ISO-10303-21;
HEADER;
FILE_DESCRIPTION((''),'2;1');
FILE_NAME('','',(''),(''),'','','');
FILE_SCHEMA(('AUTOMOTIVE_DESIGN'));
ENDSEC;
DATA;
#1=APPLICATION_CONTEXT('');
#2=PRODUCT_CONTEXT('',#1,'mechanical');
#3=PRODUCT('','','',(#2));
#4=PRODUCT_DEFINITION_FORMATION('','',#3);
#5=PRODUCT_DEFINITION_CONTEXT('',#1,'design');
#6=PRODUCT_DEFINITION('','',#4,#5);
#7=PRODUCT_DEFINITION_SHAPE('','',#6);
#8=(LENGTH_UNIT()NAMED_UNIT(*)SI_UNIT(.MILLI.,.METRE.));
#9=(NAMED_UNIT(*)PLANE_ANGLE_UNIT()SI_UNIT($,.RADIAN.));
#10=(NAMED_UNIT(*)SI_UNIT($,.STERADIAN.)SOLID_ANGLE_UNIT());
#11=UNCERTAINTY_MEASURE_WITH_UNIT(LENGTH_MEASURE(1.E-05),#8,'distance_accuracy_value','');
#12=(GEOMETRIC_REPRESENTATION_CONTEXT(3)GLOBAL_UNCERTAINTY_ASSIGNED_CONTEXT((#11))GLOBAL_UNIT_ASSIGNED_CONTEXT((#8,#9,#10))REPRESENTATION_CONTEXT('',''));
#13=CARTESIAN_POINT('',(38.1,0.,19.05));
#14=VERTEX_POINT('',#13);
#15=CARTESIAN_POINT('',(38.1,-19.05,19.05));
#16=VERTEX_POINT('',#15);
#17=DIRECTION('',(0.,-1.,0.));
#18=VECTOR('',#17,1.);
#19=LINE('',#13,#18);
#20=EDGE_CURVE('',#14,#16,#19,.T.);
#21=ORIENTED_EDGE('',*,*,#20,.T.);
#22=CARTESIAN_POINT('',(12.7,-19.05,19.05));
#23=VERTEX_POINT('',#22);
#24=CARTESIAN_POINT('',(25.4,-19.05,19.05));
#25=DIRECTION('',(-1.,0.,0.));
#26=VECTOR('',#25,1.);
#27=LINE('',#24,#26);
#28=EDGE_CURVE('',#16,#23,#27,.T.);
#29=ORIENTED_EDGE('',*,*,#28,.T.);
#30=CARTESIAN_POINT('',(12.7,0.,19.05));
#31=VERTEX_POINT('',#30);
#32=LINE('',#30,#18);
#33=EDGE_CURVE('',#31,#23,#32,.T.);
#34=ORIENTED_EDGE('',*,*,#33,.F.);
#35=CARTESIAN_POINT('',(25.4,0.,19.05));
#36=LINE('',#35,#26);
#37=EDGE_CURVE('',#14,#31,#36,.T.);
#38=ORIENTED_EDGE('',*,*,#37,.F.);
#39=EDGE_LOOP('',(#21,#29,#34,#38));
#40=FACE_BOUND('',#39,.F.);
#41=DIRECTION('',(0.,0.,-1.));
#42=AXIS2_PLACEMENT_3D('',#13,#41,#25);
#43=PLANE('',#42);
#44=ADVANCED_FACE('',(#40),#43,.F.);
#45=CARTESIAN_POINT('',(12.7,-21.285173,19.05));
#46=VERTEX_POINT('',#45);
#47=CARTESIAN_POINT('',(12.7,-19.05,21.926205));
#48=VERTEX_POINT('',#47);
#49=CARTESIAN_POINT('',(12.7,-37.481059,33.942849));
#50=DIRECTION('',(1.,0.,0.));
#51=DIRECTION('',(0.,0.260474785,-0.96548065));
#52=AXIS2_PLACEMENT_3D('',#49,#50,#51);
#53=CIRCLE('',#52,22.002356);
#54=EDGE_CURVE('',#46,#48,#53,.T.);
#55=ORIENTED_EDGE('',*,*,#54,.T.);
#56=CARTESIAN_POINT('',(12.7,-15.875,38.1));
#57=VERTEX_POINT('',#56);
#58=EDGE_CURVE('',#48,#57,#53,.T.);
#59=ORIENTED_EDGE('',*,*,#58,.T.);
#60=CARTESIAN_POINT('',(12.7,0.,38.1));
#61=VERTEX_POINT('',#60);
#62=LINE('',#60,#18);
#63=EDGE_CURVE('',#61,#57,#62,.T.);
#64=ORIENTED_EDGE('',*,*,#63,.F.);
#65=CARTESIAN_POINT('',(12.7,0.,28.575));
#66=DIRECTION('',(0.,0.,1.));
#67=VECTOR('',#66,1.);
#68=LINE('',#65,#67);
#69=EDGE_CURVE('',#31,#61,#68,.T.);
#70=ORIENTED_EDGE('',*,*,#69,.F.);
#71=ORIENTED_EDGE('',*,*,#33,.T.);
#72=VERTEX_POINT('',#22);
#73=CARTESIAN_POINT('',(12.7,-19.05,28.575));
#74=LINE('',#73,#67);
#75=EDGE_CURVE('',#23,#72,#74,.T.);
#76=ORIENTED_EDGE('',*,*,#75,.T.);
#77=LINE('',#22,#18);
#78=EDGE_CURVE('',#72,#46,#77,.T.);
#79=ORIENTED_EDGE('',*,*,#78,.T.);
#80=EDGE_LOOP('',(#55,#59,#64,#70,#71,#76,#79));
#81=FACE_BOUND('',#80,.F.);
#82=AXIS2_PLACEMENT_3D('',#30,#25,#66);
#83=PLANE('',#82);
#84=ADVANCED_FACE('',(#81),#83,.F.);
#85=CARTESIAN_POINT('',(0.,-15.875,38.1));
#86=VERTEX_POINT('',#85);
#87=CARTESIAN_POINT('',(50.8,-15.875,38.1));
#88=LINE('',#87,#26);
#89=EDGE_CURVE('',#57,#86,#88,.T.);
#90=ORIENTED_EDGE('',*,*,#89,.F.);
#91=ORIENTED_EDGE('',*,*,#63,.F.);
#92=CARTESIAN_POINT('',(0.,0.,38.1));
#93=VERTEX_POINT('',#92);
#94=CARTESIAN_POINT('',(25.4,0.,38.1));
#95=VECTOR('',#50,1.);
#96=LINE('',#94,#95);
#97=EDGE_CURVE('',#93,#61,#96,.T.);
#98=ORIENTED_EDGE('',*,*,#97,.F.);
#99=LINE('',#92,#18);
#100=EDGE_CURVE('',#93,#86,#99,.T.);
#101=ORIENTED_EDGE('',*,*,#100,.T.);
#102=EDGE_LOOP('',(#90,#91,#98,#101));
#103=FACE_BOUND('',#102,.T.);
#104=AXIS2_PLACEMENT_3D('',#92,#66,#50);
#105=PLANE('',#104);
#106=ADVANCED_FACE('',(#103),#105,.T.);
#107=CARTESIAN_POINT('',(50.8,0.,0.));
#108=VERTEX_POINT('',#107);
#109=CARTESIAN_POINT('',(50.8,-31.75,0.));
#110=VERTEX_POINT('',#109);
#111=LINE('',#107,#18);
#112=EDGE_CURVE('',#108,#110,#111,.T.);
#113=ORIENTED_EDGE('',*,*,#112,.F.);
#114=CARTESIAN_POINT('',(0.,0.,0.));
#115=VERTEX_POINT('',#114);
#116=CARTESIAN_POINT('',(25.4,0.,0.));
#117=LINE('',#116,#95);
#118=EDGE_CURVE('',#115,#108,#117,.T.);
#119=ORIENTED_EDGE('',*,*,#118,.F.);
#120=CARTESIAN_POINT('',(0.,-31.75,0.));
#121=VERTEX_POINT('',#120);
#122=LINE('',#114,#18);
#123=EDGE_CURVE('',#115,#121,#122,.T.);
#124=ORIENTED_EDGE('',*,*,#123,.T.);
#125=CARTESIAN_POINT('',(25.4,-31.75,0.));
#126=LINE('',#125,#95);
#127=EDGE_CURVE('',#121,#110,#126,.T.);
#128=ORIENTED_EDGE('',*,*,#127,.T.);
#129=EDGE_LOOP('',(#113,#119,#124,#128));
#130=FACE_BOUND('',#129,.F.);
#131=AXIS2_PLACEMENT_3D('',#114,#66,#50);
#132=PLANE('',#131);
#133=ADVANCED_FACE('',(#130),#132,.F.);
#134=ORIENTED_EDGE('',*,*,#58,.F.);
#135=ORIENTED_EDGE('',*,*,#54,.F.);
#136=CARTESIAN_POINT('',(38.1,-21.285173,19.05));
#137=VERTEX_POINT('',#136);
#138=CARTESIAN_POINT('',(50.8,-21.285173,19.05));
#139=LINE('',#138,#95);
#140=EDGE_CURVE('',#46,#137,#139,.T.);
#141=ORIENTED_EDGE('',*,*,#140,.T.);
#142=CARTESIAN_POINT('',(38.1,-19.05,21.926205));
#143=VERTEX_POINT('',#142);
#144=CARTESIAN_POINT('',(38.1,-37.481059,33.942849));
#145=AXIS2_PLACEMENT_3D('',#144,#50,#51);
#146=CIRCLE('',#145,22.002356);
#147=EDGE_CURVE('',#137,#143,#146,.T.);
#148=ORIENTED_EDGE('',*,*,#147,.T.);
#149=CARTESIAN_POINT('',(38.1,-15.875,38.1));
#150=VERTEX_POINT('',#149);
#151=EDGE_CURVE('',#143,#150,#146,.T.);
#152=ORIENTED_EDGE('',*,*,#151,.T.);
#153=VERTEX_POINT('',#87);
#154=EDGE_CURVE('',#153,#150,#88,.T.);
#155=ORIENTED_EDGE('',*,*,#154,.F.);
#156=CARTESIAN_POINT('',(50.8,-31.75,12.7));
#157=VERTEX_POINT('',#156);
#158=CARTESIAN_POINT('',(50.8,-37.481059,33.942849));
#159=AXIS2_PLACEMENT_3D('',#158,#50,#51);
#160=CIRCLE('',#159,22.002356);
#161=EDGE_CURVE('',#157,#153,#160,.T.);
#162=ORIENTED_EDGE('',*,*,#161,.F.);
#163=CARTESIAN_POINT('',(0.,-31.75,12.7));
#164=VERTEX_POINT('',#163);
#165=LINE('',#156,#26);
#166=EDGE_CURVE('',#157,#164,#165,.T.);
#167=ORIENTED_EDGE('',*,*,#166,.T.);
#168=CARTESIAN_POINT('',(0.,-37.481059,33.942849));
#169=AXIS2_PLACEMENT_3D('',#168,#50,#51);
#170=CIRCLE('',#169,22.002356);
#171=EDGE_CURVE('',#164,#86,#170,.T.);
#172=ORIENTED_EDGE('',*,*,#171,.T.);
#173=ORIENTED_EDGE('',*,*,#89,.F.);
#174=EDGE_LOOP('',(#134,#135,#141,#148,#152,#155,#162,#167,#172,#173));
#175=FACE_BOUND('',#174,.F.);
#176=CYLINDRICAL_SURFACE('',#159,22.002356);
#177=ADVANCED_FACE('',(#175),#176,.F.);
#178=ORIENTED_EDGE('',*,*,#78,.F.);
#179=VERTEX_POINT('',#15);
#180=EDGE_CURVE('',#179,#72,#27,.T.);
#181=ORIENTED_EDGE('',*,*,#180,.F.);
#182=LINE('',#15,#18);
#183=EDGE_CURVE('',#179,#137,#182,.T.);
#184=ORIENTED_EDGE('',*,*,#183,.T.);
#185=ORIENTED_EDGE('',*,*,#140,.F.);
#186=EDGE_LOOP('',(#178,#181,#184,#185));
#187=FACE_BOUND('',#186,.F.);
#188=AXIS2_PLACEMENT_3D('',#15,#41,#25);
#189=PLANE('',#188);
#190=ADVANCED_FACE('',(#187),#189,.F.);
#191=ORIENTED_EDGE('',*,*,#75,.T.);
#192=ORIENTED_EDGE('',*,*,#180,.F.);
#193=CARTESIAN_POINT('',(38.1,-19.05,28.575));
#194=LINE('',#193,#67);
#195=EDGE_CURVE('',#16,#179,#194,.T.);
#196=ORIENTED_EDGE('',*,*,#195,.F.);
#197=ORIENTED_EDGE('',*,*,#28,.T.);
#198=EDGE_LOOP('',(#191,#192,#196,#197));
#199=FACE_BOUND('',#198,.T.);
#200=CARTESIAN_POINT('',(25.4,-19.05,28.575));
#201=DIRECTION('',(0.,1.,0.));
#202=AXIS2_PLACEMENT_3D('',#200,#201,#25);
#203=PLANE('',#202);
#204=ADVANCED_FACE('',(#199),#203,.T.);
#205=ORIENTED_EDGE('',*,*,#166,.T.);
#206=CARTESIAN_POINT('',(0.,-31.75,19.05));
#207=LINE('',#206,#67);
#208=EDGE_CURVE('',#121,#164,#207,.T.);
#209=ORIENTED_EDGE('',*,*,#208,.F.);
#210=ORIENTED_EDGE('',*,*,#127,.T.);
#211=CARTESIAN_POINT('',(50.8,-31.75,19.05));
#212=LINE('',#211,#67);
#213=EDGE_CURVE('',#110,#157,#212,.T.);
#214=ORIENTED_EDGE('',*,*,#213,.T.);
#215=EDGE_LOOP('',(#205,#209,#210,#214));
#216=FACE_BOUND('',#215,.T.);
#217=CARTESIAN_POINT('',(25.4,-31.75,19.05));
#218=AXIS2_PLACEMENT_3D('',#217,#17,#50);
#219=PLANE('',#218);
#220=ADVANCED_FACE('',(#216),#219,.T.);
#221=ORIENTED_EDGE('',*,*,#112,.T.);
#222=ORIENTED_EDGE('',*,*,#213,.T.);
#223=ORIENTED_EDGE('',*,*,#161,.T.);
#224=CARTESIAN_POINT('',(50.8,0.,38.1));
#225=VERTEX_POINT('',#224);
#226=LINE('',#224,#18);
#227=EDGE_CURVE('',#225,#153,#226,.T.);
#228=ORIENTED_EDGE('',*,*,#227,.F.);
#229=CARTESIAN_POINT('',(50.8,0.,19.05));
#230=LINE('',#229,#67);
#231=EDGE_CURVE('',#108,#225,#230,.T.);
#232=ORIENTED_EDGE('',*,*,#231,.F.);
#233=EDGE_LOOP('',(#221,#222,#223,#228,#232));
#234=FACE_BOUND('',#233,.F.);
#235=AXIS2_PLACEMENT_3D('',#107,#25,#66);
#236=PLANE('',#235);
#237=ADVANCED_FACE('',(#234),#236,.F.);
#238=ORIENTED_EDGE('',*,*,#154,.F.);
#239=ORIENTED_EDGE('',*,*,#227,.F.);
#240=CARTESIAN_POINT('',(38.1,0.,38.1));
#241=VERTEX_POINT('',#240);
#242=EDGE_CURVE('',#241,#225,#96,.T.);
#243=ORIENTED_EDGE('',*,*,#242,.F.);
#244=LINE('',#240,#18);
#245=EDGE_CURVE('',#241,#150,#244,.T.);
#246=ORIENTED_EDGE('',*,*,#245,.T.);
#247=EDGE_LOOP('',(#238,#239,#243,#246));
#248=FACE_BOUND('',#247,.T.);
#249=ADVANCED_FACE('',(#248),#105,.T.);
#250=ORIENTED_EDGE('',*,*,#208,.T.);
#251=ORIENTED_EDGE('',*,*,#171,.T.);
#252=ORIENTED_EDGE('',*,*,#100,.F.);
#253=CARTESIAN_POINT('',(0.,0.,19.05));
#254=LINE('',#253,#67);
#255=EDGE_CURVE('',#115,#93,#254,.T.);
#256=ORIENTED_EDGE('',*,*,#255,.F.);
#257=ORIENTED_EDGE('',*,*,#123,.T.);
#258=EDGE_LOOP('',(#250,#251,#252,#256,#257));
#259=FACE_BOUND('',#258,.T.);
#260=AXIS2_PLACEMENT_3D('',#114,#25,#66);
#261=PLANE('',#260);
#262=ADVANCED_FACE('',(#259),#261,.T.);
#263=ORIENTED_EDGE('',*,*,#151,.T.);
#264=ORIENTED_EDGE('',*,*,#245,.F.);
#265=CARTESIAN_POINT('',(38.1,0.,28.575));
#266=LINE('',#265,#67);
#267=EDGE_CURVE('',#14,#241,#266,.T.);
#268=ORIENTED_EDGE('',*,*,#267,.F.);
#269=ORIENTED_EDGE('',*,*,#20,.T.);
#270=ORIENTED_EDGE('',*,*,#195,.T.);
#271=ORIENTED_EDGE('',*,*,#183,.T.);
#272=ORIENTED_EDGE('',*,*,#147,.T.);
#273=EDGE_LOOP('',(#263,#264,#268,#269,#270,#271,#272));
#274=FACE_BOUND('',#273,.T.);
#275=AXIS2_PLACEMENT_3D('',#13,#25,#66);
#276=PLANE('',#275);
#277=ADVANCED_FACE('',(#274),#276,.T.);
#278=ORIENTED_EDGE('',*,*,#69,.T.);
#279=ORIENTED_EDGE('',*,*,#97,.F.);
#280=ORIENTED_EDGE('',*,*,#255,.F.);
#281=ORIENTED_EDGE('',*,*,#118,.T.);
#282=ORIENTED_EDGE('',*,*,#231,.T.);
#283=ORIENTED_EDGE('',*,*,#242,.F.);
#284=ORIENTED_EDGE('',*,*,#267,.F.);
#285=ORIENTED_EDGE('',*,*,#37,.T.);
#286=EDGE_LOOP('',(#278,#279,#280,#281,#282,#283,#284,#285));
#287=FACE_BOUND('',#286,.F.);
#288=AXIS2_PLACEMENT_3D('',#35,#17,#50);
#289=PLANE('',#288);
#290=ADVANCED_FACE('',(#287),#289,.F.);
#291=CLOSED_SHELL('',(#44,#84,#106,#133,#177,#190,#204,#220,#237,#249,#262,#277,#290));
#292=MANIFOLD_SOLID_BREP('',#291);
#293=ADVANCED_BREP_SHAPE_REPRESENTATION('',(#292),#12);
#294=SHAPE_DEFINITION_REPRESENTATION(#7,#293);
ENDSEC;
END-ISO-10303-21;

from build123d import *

# Parameters (mm, degrees)
F0_W     = 50.8
F0_H     = 38.1
F1_DEPTH = 31.75
F2_W     = 25.4
F2_H     = 19.05
F3_DEPTH = 19.05
F5_DEPTH = 50.8
F6_W     = 25.4
F6_H     = 2.876205
F7_DEPTH = 25.4


with BuildPart() as f1:
    # F0 (on Front) → F1 (new body)
    with BuildSketch(Plane.XZ):
        with Locations((25.4, 19.05)):
            Rectangle(F0_W, F0_H)
    extrude(amount=F1_DEPTH)

    # F2 (on face) → F3 (cut)
    with BuildSketch(Plane(origin=(0, 0, 0), x_dir=(-1, 0, 0), z_dir=(0, 1, 0))):
        with Locations((-25.4, 28.575)):
            Rectangle(F2_W, F2_H)
    extrude(amount=-F3_DEPTH, mode=Mode.SUBTRACT)

    # F4 (on face) → F5 (cut)
    with BuildSketch(Plane.YZ.offset(50.8)):
        with BuildLine():
            Line((-31.75, 38.1), (-31.75, 12.7))
            ThreePointArc((-31.75, 12.7), (-18.823098, 22.281624), (-15.875, 38.1))
            Line((-15.875, 38.1), (-31.75, 38.1))
        make_face()
    extrude(amount=-F5_DEPTH, mode=Mode.SUBTRACT)

    # F6 (on face) → F7 (cut)
    with BuildSketch(Plane(origin=(0, -19.05, 0), x_dir=(-1, 0, 0), z_dir=(0, 1, 0))):
        with Locations((-25.4, 20.488103)):
            Rectangle(F6_W, F6_H)
    extrude(amount=-F7_DEPTH, mode=Mode.SUBTRACT)


solid = f1.part
